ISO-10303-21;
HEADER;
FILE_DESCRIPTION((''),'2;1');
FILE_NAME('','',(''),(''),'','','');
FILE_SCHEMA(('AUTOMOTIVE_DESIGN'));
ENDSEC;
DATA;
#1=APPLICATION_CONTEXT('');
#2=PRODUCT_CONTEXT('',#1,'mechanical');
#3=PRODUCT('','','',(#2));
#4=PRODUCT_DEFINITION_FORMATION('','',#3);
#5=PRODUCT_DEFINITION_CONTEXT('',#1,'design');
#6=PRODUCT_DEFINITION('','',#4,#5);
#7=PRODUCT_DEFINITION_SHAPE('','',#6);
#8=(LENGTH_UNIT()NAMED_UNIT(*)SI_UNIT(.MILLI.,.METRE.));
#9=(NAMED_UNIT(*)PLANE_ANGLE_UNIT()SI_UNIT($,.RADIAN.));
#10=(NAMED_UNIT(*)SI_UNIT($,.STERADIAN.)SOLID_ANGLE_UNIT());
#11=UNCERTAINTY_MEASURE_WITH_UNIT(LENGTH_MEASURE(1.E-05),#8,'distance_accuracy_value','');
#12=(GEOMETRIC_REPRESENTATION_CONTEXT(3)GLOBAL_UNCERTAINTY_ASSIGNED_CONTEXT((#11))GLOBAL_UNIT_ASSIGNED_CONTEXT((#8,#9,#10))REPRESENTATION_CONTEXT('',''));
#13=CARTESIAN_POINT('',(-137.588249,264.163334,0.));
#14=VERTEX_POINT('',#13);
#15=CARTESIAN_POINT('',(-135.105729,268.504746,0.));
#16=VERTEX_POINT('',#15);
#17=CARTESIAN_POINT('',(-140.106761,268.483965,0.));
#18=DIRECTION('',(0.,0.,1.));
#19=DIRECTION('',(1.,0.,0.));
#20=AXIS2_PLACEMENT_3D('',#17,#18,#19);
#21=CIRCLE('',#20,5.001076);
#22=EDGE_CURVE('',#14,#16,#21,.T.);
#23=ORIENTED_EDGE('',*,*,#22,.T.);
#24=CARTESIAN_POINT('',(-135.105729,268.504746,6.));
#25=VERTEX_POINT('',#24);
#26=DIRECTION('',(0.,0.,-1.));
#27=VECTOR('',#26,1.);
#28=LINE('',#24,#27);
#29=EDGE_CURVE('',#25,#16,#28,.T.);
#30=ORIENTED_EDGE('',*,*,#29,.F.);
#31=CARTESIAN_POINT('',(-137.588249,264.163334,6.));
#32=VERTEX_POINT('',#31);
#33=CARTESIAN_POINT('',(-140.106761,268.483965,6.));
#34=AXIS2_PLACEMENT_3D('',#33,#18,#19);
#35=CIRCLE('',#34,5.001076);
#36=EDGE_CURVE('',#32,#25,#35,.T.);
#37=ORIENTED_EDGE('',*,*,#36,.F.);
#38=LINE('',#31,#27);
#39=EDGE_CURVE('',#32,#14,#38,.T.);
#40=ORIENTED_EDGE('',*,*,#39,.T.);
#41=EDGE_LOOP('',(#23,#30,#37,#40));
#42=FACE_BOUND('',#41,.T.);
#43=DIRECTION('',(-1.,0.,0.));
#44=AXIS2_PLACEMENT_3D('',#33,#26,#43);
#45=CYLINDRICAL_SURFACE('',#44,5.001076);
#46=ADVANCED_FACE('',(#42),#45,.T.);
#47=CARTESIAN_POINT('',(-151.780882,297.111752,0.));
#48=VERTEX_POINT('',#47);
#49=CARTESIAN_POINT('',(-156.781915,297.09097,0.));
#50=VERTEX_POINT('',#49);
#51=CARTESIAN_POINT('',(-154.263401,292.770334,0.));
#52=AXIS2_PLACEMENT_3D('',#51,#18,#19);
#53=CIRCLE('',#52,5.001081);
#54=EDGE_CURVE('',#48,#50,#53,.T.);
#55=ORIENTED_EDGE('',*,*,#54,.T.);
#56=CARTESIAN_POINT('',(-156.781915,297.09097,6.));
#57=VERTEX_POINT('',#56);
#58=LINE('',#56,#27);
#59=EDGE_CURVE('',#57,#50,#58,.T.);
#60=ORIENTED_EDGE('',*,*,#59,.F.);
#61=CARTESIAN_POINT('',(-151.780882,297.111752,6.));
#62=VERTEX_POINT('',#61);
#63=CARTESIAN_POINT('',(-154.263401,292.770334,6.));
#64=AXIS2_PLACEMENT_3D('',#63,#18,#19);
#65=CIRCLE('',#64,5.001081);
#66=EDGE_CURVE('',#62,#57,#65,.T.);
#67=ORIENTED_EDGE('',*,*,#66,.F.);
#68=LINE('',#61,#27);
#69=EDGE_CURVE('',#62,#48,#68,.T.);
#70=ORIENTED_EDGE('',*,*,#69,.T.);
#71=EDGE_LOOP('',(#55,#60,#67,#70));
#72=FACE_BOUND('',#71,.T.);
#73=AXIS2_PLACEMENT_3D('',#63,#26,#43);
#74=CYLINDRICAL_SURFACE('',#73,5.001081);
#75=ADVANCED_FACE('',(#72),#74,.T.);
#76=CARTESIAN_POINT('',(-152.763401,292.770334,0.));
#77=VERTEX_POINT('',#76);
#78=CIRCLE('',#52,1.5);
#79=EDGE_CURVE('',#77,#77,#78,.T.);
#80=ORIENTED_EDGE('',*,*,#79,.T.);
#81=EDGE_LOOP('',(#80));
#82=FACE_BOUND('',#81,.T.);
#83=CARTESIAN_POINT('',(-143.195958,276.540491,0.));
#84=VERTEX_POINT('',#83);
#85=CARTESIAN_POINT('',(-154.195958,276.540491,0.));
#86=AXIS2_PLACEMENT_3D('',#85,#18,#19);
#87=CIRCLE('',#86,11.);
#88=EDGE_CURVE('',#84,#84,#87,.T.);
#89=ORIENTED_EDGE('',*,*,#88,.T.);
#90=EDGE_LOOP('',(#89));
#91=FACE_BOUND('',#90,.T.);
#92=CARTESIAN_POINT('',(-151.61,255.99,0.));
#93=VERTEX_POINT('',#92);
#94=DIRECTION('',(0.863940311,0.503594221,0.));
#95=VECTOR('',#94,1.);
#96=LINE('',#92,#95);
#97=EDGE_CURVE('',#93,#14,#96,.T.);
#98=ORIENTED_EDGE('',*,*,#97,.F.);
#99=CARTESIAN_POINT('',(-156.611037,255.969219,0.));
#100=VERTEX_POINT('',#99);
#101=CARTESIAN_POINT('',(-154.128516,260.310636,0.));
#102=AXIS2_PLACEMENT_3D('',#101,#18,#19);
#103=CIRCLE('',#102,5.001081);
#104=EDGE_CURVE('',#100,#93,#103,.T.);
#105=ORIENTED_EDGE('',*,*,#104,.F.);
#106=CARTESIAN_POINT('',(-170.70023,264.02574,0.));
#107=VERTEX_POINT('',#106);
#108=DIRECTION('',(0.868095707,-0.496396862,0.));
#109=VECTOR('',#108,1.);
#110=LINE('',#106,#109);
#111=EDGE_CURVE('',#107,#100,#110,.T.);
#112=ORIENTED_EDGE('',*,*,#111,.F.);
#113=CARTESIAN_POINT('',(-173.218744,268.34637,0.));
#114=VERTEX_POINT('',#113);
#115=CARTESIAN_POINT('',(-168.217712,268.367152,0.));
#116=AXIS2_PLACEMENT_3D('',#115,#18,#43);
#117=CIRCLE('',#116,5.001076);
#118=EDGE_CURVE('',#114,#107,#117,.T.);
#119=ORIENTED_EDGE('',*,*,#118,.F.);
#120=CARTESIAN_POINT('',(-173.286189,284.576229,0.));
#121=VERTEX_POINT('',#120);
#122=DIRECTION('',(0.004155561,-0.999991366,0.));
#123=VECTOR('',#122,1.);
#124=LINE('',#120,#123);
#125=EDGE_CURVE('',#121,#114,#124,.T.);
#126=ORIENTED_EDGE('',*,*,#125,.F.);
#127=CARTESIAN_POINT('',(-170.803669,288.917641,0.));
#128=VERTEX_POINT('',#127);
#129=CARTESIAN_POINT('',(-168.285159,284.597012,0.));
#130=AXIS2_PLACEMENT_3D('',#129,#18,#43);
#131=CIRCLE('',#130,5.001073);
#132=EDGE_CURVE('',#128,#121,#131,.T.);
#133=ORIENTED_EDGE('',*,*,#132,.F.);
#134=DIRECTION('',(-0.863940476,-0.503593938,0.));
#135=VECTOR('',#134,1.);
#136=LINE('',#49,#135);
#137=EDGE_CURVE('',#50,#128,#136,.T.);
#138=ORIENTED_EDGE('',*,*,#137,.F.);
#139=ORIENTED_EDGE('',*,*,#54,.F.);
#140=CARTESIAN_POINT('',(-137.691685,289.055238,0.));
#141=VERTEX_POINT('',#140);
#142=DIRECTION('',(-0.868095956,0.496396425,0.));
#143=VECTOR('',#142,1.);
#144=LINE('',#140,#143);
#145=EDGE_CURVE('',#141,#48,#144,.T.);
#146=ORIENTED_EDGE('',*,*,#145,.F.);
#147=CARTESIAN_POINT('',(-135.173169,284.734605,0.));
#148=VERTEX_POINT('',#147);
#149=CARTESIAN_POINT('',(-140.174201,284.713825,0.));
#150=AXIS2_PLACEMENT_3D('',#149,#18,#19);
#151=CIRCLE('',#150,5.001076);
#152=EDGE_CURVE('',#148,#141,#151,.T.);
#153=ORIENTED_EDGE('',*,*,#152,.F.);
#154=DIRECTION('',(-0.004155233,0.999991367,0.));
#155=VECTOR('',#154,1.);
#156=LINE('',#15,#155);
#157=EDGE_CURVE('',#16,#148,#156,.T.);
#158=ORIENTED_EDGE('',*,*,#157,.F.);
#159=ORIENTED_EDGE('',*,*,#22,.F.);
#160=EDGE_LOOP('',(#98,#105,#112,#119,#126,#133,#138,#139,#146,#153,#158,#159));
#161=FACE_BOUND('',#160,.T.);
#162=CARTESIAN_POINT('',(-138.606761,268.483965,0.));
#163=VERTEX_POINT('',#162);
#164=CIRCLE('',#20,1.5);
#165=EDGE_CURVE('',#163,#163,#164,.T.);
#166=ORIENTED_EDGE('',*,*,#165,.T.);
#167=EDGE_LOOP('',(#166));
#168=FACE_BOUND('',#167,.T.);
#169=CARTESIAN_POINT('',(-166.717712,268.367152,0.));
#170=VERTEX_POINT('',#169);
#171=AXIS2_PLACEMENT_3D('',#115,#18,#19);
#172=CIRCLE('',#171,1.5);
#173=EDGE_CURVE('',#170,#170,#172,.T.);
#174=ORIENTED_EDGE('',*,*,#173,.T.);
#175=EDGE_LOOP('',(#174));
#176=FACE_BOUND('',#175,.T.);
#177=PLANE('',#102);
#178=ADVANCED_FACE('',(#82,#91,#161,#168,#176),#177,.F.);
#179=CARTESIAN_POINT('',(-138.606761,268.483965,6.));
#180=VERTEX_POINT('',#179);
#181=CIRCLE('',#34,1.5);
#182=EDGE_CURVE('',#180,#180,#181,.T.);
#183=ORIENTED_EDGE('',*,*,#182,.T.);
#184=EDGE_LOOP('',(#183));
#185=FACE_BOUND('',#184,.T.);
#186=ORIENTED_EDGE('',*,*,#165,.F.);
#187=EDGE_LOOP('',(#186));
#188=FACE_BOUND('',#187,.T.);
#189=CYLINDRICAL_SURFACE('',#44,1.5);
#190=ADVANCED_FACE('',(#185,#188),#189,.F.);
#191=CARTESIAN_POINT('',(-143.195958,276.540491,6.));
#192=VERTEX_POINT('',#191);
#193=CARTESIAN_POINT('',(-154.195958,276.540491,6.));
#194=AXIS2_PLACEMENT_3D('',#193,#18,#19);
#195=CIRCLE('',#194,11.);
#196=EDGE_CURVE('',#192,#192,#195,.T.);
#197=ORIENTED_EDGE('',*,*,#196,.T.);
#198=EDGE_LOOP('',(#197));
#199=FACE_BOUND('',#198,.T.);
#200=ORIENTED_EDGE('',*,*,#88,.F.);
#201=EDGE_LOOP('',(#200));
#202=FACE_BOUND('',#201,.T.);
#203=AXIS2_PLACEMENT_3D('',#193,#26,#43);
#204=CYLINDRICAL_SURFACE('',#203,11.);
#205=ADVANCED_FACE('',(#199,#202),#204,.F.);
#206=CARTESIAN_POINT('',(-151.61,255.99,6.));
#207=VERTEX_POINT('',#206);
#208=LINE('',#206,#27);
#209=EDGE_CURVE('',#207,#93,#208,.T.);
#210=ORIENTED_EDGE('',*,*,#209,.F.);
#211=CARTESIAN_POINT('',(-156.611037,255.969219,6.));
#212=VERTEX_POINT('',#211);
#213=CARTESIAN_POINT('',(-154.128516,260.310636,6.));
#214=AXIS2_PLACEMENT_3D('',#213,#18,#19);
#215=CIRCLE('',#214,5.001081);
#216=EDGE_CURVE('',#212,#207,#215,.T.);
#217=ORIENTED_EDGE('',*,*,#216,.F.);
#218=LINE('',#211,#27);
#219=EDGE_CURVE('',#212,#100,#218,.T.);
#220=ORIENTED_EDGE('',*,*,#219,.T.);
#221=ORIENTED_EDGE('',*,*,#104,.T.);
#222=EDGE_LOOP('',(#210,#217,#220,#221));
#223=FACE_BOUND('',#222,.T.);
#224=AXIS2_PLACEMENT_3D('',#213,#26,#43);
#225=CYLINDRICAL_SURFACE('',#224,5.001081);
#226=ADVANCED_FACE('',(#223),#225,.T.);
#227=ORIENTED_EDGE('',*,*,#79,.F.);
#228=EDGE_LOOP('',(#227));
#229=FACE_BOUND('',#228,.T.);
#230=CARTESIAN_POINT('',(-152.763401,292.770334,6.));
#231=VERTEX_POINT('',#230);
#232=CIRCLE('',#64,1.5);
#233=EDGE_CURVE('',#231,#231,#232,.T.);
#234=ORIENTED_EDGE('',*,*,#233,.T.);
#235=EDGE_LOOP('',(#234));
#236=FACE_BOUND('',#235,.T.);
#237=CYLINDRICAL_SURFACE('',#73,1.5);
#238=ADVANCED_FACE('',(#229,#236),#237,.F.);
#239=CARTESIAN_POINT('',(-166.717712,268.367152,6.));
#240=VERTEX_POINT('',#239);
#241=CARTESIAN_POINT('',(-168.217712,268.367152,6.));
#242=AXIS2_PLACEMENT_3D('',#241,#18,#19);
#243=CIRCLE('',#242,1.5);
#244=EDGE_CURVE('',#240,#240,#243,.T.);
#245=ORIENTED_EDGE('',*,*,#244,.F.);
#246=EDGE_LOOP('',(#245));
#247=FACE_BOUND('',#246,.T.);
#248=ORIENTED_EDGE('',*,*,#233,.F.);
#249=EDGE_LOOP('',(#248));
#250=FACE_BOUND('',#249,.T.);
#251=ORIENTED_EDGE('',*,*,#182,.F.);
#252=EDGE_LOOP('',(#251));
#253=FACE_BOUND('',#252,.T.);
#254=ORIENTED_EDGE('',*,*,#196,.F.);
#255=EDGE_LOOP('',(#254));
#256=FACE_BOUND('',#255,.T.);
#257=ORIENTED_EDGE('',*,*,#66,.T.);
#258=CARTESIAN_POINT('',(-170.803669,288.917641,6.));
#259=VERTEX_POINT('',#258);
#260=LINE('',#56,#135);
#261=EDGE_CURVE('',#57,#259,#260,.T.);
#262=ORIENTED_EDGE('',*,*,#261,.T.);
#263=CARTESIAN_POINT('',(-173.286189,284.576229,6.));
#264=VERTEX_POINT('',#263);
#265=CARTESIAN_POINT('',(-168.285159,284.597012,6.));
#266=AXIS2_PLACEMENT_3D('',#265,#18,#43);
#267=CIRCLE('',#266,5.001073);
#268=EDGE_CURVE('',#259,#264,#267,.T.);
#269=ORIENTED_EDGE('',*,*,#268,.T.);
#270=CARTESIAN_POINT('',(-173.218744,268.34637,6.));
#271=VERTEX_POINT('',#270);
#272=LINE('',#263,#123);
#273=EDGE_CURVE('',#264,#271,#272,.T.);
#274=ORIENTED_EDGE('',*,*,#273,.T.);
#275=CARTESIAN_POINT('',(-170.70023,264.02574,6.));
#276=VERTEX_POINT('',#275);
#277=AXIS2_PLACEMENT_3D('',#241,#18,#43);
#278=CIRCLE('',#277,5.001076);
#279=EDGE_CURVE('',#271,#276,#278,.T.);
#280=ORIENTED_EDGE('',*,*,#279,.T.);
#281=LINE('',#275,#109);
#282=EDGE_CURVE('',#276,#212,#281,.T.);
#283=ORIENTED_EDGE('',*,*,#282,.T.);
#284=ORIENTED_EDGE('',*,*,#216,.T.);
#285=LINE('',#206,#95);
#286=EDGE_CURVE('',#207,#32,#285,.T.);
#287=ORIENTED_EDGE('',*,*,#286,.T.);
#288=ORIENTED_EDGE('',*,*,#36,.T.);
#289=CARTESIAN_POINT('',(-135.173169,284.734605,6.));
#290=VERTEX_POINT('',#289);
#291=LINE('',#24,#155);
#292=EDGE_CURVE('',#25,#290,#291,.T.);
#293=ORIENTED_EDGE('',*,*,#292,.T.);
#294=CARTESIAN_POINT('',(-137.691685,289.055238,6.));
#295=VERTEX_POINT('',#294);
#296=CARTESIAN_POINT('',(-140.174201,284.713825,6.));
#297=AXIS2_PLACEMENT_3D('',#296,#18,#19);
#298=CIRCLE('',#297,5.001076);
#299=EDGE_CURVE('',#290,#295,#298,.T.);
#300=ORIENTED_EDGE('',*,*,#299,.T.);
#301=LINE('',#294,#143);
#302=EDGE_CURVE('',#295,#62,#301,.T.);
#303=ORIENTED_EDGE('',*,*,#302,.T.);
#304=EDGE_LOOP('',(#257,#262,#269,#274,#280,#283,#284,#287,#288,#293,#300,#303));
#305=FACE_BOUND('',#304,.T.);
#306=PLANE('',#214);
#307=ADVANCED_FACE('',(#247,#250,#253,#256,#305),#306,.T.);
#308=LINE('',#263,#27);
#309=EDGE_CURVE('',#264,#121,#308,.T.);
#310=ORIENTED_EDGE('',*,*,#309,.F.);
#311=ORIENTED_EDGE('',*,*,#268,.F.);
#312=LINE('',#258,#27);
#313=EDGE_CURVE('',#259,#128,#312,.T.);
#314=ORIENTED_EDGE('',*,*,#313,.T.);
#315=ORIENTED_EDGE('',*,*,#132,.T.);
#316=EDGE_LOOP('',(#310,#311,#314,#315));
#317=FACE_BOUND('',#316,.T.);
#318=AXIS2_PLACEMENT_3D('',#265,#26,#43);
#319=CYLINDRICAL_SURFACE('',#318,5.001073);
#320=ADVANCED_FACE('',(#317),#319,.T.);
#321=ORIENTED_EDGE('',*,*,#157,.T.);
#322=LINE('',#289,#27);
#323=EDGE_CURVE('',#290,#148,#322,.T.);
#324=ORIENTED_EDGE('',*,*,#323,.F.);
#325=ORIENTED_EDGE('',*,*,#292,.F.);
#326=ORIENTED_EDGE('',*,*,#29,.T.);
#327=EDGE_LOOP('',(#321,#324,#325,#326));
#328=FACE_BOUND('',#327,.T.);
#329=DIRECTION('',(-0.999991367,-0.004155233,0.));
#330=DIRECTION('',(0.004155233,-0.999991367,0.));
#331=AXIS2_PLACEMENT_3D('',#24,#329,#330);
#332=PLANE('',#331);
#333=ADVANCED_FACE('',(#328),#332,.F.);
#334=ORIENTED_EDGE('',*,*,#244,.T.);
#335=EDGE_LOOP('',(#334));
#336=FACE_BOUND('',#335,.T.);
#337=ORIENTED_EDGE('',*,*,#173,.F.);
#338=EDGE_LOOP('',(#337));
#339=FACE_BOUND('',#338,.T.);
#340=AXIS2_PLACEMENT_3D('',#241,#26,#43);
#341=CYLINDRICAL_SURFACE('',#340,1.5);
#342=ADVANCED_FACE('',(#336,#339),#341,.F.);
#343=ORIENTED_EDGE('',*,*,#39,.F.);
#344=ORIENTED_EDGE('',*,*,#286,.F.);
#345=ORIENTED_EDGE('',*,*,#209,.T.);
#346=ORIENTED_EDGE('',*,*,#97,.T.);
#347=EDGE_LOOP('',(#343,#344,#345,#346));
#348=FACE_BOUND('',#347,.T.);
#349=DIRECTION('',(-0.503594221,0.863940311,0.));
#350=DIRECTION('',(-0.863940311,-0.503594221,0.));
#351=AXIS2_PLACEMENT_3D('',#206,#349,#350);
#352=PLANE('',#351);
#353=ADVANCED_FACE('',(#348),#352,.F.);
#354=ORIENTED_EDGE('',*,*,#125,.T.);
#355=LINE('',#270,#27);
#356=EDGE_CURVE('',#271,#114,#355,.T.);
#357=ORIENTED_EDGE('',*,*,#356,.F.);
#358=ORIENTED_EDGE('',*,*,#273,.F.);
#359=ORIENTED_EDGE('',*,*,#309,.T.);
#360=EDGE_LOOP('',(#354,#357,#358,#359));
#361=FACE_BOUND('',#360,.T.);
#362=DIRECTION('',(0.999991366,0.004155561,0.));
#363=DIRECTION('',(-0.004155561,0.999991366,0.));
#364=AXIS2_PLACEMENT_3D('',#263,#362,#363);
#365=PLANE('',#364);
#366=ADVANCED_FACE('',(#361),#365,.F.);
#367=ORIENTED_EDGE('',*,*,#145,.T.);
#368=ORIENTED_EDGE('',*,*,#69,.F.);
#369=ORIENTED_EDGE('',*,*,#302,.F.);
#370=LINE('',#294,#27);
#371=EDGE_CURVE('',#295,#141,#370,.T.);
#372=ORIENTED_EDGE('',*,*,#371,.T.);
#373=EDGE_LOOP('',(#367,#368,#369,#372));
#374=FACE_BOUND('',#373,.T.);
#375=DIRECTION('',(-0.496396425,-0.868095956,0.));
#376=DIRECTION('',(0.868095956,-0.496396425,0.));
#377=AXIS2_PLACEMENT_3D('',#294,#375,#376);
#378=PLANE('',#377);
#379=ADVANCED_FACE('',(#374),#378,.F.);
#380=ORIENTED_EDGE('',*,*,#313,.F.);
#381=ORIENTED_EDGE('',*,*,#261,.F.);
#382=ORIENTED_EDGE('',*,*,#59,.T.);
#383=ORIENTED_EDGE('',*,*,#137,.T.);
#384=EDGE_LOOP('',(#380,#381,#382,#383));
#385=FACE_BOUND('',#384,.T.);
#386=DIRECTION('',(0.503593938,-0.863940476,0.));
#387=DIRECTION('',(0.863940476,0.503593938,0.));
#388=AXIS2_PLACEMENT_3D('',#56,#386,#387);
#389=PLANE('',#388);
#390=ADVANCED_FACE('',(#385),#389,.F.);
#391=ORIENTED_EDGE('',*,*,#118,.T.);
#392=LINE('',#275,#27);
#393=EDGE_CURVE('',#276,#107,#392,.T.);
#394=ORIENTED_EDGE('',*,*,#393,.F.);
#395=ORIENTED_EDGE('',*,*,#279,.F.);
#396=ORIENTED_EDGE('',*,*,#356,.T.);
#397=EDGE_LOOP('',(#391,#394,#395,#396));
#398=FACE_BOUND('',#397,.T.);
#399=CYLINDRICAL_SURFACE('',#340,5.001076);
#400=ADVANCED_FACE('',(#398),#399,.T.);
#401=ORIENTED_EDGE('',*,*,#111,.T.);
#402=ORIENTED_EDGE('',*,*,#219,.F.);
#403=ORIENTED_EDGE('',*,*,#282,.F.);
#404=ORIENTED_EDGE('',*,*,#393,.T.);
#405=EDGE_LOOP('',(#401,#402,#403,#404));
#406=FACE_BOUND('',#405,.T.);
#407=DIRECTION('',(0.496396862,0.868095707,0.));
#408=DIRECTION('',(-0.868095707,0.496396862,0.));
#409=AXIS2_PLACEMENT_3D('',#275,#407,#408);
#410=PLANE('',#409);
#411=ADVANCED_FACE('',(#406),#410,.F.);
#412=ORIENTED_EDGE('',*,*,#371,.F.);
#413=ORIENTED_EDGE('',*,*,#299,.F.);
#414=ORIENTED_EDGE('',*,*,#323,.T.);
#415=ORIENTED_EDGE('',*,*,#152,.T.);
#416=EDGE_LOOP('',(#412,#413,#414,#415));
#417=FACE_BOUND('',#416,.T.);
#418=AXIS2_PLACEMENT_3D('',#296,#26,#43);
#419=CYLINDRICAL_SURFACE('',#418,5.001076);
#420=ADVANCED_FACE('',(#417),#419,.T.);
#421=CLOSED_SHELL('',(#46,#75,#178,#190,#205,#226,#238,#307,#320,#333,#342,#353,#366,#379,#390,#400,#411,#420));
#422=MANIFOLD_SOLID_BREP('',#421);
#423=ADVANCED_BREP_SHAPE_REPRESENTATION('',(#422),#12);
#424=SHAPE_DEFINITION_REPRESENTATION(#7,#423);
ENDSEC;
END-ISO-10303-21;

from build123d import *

# Parameters (mm, degrees)
SKETCH1_R           = 1.5
SKETCH1_R_2         = 11
BOSS_EXTRUDE1_DEPTH = 6


with BuildPart() as part:
    # Sketch1 → Boss-Extrude1 (new body)
    with BuildSketch(Plane.XY):
        with BuildLine():
            Line((-151.61, 255.99), (-137.588248756, 264.163334206))
            ThreePointArc((-137.588248756, 264.163334206), (-135.765350109, 266.001445333), (-135.105729136, 268.504745587))
            Line((-135.105729136, 268.504745587), (-135.17316857, 284.734605473))
            ThreePointArc((-135.17316857, 284.734605473), (-135.853571223, 287.232339366), (-137.691684909, 289.05523828))
            Line((-137.691684909, 289.05523828), (-151.780882276, 297.111752263))
            ThreePointArc((-151.780882276, 297.111752263), (-154.284183023, 297.771371919), (-156.781915286, 297.090970369))
            Line((-156.781915286, 297.090970369), (-170.803669208, 288.917640758))
            ThreePointArc((-170.803669208, 288.917640758), (-172.626568236, 287.079529849), (-173.286188827, 284.576229377))
            Line((-173.286188827, 284.576229377), (-173.218744076, 268.346369513))
            ThreePointArc((-173.218744076, 268.346369513), (-172.53834165, 265.848637636), (-170.700229926, 264.025739592))
            Line((-170.700229926, 264.025739592), (-156.611036608, 255.969218528))
            ThreePointArc((-156.611036608, 255.969218528), (-154.107734115, 255.309597623), (-151.61, 255.99))
        make_face()
        with Locations((-140.10676149, 268.483964952)):
            Circle(SKETCH1_R, mode=Mode.SUBTRACT)
        with Locations((-154.263401108, 292.770333894)):
            Circle(SKETCH1_R, mode=Mode.SUBTRACT)
        with Locations((-168.217711729, 268.367151786)):
            Circle(SKETCH1_R, mode=Mode.SUBTRACT)
        with Locations((-154.195957665, 276.540490609)):
            Circle(SKETCH1_R_2, mode=Mode.SUBTRACT)
    extrude(amount=BOSS_EXTRUDE1_DEPTH)


solid = part.part
